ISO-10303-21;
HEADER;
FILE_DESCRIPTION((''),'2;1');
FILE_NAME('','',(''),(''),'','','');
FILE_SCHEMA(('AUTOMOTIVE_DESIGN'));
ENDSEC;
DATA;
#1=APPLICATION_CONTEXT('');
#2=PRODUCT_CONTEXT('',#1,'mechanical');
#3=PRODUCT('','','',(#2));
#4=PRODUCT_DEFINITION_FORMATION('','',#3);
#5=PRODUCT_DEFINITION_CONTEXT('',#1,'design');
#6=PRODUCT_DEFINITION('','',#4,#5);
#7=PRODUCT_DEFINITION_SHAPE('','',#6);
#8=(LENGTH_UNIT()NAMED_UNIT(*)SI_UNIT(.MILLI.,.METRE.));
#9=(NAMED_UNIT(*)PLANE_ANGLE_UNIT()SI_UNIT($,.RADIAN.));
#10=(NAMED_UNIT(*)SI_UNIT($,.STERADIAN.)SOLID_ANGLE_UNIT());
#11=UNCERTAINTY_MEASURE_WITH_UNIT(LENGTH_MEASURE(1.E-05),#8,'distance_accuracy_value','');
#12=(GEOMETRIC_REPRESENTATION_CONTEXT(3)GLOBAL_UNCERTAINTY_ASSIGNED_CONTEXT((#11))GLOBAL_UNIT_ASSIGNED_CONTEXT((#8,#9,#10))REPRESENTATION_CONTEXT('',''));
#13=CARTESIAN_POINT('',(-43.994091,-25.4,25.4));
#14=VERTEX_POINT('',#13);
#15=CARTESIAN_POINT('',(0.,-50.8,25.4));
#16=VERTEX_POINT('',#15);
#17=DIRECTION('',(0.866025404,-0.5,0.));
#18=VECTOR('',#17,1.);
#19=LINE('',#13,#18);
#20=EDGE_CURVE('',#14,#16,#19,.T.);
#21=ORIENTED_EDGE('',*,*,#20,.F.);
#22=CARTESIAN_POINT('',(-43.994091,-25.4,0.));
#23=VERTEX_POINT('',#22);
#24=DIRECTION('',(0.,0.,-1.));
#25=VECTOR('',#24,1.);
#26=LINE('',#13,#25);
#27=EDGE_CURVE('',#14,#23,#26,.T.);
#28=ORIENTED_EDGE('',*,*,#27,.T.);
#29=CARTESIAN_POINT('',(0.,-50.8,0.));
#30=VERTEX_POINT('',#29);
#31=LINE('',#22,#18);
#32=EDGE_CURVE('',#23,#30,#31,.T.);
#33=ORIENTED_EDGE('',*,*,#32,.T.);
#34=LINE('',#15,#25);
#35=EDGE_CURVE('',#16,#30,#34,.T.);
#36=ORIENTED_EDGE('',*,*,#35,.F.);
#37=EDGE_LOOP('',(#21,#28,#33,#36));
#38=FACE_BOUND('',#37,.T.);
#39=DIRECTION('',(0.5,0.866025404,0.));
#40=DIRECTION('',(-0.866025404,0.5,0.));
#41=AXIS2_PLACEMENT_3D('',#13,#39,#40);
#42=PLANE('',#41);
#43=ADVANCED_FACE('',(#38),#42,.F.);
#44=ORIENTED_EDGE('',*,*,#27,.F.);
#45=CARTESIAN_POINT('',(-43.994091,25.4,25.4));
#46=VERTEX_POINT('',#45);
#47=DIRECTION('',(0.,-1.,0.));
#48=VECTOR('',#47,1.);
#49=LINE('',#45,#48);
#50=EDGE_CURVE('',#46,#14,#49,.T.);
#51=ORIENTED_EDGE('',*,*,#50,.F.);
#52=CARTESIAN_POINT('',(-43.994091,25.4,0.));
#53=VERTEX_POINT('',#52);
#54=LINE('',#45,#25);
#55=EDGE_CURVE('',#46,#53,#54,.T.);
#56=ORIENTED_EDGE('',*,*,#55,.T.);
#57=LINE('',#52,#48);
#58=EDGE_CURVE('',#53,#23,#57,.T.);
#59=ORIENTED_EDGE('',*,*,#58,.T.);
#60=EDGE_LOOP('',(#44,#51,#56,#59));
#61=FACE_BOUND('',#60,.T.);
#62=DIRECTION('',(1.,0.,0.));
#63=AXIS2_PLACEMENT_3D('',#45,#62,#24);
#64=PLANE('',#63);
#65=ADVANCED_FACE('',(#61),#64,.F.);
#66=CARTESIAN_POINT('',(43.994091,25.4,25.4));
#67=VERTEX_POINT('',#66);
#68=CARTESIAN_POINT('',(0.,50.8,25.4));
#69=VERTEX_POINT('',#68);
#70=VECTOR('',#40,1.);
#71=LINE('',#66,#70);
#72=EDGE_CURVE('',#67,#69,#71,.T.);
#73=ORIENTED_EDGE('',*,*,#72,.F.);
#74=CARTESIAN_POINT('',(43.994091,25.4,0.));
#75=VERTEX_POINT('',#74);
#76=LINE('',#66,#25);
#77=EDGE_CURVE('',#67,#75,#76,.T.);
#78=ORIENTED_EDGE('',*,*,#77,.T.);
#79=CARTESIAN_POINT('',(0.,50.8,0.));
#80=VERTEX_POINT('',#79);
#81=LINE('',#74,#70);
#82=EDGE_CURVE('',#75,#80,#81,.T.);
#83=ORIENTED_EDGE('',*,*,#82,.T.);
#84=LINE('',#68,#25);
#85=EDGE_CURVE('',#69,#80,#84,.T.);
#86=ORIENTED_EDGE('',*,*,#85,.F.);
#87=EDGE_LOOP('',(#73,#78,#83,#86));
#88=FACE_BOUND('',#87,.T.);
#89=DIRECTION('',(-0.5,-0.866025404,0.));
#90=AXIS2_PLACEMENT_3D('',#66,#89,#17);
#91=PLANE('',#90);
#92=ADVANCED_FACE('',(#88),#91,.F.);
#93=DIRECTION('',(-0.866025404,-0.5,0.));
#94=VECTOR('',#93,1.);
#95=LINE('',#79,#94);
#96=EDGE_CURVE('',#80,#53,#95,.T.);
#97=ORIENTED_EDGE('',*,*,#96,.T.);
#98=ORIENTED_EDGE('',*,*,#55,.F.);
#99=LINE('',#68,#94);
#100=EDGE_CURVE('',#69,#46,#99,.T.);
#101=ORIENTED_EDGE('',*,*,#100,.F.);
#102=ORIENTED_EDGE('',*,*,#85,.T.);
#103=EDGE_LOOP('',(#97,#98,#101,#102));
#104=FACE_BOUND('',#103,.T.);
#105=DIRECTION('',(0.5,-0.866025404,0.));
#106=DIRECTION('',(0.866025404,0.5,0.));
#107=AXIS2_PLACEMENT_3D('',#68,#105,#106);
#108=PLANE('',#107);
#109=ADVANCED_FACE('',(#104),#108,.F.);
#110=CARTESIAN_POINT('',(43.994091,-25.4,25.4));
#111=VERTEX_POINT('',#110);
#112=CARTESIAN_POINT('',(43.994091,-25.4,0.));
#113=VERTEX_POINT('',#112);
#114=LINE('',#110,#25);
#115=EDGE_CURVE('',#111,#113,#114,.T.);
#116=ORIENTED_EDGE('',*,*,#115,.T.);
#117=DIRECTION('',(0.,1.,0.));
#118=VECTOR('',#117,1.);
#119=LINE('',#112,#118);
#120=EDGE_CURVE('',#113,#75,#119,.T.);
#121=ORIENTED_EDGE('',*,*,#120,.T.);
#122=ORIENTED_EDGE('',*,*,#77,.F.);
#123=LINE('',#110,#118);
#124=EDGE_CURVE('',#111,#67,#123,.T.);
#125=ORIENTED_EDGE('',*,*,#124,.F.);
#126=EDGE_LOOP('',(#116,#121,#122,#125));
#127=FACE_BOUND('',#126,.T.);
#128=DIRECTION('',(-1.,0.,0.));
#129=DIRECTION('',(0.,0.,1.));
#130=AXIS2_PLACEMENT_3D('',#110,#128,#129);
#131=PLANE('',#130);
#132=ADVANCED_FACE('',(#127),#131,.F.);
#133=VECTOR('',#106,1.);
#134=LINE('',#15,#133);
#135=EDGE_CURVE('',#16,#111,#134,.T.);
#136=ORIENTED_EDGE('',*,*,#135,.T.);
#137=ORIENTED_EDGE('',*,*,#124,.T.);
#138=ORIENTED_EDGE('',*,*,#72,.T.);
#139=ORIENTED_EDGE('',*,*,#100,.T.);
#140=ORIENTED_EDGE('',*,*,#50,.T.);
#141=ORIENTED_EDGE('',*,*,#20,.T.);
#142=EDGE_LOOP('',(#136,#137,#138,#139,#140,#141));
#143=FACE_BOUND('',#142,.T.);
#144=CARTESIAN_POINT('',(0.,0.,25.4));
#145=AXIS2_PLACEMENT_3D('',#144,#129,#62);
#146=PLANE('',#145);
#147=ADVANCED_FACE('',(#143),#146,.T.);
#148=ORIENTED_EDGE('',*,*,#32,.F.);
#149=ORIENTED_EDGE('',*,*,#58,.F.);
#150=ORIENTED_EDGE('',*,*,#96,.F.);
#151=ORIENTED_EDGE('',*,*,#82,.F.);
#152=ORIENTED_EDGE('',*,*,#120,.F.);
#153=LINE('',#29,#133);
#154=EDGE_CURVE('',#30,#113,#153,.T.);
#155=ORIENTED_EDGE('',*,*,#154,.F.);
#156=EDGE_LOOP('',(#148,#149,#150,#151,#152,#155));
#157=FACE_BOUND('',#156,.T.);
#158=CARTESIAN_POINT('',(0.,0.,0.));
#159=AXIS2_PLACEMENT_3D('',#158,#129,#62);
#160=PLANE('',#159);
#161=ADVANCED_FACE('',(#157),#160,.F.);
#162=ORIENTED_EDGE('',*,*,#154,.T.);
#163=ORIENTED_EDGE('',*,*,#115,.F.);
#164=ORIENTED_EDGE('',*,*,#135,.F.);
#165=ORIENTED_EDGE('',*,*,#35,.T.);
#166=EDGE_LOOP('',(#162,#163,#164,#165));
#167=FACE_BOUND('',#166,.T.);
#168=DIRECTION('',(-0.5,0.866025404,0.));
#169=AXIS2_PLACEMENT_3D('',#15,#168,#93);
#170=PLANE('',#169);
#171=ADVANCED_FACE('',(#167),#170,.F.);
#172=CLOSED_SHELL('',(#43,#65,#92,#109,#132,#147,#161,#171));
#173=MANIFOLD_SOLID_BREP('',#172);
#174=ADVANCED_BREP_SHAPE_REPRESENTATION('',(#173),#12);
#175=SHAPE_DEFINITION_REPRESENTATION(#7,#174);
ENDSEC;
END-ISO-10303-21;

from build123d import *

# Parameters (mm, degrees)
BOSS_EXTRUDE1_DEPTH = 25.4


with BuildPart() as part:
    # Sketch1 → Boss-Extrude1 (new body)
    with BuildSketch(Plane.XY):
        Polygon((43.994090512, -25.4), (43.994090512, 25.4), (0, 50.8), (-43.994090512, 25.4), (-43.994090512, -25.4), (0, -50.8), align=None)
    extrude(amount=BOSS_EXTRUDE1_DEPTH)


solid = part.part
